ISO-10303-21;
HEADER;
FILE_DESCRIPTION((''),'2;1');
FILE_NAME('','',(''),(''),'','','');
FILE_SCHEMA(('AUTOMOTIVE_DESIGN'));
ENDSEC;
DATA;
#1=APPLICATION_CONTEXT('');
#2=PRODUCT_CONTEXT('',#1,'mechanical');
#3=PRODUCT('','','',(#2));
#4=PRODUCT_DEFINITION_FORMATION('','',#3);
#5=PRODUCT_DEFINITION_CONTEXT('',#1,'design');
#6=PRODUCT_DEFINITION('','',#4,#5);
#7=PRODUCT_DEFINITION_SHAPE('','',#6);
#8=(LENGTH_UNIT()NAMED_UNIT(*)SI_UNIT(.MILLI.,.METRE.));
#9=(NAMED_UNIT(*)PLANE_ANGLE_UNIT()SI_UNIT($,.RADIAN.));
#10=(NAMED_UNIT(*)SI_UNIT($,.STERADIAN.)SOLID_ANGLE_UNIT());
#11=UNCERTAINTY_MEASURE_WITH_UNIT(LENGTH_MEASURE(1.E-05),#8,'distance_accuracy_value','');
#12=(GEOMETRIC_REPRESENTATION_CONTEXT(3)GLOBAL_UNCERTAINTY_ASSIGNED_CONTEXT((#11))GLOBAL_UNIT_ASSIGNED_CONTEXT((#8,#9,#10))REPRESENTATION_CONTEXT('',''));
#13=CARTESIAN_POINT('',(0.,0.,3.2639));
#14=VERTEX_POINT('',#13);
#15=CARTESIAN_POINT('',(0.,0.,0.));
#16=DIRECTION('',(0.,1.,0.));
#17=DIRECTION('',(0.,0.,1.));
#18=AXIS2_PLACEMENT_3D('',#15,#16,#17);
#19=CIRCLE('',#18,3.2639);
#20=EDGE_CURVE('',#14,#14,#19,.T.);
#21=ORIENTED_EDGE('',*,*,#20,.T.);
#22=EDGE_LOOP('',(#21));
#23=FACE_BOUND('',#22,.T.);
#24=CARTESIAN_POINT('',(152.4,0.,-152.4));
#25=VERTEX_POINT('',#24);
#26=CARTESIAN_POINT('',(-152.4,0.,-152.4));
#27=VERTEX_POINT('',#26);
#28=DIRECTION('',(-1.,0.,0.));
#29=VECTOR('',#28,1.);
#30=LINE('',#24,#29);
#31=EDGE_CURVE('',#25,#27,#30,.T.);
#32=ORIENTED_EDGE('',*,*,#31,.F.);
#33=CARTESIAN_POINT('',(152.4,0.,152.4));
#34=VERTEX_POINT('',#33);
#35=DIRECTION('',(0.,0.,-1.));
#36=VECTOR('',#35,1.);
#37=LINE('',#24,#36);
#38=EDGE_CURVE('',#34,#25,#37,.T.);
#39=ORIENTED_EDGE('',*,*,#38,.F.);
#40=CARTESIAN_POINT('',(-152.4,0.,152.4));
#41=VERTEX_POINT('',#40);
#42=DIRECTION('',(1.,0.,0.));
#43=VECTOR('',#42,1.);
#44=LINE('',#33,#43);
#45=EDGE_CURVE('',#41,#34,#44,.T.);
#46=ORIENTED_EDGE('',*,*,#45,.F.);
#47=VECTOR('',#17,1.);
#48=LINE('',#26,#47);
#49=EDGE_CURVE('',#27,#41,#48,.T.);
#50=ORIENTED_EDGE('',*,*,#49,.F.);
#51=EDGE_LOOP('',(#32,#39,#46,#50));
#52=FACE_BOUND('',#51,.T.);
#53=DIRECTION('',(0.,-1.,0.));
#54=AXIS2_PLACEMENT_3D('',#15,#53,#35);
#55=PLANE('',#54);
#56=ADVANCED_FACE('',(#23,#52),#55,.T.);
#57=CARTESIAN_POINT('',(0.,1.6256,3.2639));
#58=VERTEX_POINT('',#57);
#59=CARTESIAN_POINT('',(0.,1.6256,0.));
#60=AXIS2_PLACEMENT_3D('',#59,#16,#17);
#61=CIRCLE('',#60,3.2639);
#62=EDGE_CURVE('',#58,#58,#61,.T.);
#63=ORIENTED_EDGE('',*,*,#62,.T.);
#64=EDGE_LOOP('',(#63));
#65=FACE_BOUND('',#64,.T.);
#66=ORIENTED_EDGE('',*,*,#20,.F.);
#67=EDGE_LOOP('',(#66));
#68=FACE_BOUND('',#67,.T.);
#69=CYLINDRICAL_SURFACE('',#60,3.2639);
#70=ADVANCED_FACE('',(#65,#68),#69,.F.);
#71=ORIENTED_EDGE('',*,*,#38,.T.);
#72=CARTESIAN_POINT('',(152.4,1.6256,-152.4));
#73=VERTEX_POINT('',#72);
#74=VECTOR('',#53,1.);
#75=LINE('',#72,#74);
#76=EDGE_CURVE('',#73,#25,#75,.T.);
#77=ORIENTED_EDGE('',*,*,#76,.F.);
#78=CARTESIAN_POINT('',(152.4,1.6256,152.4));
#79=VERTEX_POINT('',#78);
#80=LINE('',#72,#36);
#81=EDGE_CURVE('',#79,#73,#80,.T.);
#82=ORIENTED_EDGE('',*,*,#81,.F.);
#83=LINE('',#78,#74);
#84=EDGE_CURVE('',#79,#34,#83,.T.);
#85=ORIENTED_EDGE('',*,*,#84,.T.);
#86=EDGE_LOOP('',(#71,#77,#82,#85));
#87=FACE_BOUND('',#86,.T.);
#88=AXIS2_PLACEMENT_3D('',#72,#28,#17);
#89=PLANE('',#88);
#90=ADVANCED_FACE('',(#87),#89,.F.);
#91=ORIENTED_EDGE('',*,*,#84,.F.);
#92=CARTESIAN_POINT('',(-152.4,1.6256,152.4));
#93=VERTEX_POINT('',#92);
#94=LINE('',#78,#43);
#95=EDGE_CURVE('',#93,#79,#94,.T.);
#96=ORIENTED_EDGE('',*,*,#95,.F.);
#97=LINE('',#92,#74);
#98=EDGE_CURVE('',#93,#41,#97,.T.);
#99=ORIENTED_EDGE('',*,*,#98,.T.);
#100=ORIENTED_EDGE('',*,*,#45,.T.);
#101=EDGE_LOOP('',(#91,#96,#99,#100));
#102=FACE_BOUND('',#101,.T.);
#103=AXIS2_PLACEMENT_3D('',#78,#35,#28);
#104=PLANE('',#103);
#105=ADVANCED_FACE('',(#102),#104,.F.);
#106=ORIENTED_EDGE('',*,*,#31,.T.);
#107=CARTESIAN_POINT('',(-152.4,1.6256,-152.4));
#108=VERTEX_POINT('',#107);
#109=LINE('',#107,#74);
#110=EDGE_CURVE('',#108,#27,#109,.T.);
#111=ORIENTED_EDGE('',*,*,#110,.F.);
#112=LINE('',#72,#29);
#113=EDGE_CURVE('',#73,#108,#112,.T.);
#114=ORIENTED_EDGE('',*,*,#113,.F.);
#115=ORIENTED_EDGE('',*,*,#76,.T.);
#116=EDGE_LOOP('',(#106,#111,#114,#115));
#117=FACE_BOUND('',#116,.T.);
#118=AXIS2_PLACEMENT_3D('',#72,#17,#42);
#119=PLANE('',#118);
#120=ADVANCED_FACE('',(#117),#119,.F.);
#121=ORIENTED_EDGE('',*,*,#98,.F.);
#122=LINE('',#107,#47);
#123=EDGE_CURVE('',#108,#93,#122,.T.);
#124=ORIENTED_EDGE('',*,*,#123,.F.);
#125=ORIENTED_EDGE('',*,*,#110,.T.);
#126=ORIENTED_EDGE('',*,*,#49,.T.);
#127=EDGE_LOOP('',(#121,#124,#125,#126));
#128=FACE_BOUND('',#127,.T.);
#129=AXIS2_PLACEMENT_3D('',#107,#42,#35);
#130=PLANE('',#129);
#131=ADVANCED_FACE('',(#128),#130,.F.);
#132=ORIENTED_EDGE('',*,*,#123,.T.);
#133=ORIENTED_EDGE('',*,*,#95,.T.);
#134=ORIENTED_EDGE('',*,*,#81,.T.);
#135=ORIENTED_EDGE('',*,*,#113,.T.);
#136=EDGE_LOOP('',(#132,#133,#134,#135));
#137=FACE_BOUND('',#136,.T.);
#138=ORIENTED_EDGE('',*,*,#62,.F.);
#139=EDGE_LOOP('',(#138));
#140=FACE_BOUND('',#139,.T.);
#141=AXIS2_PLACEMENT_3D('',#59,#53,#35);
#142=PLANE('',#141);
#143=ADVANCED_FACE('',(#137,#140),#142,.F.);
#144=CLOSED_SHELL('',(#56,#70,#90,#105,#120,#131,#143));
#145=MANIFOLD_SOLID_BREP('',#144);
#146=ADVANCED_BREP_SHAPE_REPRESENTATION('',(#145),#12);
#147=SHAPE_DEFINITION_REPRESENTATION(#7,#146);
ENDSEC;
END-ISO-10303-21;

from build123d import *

# Parameters (mm, degrees)
SKETCH1_W               = 304.8
SKETCH1_H               = 304.8
BOSS_EXTRUDE1_DEPTH     = 1.6256
F_1_4_CLEARANCE_HOLE1_D = 6.5278


with BuildPart() as part:
    # Sketch1 → Boss-Extrude1 (new body)
    with BuildSketch(Plane(origin=(0, 0, 0), x_dir=(1, 0, 0), z_dir=(0, 1, 0))):
        Rectangle(SKETCH1_W, SKETCH1_H)
    extrude(amount=BOSS_EXTRUDE1_DEPTH)

    # 1/4 Clearance Hole1 (through all)
    with Locations(Plane(origin=(0, 1.6256, 0), x_dir=(1, 0, 0), z_dir=(0, 1, 0))):
        with Locations((0, 0)):
            Hole(F_1_4_CLEARANCE_HOLE1_D / 2)


solid = part.part
